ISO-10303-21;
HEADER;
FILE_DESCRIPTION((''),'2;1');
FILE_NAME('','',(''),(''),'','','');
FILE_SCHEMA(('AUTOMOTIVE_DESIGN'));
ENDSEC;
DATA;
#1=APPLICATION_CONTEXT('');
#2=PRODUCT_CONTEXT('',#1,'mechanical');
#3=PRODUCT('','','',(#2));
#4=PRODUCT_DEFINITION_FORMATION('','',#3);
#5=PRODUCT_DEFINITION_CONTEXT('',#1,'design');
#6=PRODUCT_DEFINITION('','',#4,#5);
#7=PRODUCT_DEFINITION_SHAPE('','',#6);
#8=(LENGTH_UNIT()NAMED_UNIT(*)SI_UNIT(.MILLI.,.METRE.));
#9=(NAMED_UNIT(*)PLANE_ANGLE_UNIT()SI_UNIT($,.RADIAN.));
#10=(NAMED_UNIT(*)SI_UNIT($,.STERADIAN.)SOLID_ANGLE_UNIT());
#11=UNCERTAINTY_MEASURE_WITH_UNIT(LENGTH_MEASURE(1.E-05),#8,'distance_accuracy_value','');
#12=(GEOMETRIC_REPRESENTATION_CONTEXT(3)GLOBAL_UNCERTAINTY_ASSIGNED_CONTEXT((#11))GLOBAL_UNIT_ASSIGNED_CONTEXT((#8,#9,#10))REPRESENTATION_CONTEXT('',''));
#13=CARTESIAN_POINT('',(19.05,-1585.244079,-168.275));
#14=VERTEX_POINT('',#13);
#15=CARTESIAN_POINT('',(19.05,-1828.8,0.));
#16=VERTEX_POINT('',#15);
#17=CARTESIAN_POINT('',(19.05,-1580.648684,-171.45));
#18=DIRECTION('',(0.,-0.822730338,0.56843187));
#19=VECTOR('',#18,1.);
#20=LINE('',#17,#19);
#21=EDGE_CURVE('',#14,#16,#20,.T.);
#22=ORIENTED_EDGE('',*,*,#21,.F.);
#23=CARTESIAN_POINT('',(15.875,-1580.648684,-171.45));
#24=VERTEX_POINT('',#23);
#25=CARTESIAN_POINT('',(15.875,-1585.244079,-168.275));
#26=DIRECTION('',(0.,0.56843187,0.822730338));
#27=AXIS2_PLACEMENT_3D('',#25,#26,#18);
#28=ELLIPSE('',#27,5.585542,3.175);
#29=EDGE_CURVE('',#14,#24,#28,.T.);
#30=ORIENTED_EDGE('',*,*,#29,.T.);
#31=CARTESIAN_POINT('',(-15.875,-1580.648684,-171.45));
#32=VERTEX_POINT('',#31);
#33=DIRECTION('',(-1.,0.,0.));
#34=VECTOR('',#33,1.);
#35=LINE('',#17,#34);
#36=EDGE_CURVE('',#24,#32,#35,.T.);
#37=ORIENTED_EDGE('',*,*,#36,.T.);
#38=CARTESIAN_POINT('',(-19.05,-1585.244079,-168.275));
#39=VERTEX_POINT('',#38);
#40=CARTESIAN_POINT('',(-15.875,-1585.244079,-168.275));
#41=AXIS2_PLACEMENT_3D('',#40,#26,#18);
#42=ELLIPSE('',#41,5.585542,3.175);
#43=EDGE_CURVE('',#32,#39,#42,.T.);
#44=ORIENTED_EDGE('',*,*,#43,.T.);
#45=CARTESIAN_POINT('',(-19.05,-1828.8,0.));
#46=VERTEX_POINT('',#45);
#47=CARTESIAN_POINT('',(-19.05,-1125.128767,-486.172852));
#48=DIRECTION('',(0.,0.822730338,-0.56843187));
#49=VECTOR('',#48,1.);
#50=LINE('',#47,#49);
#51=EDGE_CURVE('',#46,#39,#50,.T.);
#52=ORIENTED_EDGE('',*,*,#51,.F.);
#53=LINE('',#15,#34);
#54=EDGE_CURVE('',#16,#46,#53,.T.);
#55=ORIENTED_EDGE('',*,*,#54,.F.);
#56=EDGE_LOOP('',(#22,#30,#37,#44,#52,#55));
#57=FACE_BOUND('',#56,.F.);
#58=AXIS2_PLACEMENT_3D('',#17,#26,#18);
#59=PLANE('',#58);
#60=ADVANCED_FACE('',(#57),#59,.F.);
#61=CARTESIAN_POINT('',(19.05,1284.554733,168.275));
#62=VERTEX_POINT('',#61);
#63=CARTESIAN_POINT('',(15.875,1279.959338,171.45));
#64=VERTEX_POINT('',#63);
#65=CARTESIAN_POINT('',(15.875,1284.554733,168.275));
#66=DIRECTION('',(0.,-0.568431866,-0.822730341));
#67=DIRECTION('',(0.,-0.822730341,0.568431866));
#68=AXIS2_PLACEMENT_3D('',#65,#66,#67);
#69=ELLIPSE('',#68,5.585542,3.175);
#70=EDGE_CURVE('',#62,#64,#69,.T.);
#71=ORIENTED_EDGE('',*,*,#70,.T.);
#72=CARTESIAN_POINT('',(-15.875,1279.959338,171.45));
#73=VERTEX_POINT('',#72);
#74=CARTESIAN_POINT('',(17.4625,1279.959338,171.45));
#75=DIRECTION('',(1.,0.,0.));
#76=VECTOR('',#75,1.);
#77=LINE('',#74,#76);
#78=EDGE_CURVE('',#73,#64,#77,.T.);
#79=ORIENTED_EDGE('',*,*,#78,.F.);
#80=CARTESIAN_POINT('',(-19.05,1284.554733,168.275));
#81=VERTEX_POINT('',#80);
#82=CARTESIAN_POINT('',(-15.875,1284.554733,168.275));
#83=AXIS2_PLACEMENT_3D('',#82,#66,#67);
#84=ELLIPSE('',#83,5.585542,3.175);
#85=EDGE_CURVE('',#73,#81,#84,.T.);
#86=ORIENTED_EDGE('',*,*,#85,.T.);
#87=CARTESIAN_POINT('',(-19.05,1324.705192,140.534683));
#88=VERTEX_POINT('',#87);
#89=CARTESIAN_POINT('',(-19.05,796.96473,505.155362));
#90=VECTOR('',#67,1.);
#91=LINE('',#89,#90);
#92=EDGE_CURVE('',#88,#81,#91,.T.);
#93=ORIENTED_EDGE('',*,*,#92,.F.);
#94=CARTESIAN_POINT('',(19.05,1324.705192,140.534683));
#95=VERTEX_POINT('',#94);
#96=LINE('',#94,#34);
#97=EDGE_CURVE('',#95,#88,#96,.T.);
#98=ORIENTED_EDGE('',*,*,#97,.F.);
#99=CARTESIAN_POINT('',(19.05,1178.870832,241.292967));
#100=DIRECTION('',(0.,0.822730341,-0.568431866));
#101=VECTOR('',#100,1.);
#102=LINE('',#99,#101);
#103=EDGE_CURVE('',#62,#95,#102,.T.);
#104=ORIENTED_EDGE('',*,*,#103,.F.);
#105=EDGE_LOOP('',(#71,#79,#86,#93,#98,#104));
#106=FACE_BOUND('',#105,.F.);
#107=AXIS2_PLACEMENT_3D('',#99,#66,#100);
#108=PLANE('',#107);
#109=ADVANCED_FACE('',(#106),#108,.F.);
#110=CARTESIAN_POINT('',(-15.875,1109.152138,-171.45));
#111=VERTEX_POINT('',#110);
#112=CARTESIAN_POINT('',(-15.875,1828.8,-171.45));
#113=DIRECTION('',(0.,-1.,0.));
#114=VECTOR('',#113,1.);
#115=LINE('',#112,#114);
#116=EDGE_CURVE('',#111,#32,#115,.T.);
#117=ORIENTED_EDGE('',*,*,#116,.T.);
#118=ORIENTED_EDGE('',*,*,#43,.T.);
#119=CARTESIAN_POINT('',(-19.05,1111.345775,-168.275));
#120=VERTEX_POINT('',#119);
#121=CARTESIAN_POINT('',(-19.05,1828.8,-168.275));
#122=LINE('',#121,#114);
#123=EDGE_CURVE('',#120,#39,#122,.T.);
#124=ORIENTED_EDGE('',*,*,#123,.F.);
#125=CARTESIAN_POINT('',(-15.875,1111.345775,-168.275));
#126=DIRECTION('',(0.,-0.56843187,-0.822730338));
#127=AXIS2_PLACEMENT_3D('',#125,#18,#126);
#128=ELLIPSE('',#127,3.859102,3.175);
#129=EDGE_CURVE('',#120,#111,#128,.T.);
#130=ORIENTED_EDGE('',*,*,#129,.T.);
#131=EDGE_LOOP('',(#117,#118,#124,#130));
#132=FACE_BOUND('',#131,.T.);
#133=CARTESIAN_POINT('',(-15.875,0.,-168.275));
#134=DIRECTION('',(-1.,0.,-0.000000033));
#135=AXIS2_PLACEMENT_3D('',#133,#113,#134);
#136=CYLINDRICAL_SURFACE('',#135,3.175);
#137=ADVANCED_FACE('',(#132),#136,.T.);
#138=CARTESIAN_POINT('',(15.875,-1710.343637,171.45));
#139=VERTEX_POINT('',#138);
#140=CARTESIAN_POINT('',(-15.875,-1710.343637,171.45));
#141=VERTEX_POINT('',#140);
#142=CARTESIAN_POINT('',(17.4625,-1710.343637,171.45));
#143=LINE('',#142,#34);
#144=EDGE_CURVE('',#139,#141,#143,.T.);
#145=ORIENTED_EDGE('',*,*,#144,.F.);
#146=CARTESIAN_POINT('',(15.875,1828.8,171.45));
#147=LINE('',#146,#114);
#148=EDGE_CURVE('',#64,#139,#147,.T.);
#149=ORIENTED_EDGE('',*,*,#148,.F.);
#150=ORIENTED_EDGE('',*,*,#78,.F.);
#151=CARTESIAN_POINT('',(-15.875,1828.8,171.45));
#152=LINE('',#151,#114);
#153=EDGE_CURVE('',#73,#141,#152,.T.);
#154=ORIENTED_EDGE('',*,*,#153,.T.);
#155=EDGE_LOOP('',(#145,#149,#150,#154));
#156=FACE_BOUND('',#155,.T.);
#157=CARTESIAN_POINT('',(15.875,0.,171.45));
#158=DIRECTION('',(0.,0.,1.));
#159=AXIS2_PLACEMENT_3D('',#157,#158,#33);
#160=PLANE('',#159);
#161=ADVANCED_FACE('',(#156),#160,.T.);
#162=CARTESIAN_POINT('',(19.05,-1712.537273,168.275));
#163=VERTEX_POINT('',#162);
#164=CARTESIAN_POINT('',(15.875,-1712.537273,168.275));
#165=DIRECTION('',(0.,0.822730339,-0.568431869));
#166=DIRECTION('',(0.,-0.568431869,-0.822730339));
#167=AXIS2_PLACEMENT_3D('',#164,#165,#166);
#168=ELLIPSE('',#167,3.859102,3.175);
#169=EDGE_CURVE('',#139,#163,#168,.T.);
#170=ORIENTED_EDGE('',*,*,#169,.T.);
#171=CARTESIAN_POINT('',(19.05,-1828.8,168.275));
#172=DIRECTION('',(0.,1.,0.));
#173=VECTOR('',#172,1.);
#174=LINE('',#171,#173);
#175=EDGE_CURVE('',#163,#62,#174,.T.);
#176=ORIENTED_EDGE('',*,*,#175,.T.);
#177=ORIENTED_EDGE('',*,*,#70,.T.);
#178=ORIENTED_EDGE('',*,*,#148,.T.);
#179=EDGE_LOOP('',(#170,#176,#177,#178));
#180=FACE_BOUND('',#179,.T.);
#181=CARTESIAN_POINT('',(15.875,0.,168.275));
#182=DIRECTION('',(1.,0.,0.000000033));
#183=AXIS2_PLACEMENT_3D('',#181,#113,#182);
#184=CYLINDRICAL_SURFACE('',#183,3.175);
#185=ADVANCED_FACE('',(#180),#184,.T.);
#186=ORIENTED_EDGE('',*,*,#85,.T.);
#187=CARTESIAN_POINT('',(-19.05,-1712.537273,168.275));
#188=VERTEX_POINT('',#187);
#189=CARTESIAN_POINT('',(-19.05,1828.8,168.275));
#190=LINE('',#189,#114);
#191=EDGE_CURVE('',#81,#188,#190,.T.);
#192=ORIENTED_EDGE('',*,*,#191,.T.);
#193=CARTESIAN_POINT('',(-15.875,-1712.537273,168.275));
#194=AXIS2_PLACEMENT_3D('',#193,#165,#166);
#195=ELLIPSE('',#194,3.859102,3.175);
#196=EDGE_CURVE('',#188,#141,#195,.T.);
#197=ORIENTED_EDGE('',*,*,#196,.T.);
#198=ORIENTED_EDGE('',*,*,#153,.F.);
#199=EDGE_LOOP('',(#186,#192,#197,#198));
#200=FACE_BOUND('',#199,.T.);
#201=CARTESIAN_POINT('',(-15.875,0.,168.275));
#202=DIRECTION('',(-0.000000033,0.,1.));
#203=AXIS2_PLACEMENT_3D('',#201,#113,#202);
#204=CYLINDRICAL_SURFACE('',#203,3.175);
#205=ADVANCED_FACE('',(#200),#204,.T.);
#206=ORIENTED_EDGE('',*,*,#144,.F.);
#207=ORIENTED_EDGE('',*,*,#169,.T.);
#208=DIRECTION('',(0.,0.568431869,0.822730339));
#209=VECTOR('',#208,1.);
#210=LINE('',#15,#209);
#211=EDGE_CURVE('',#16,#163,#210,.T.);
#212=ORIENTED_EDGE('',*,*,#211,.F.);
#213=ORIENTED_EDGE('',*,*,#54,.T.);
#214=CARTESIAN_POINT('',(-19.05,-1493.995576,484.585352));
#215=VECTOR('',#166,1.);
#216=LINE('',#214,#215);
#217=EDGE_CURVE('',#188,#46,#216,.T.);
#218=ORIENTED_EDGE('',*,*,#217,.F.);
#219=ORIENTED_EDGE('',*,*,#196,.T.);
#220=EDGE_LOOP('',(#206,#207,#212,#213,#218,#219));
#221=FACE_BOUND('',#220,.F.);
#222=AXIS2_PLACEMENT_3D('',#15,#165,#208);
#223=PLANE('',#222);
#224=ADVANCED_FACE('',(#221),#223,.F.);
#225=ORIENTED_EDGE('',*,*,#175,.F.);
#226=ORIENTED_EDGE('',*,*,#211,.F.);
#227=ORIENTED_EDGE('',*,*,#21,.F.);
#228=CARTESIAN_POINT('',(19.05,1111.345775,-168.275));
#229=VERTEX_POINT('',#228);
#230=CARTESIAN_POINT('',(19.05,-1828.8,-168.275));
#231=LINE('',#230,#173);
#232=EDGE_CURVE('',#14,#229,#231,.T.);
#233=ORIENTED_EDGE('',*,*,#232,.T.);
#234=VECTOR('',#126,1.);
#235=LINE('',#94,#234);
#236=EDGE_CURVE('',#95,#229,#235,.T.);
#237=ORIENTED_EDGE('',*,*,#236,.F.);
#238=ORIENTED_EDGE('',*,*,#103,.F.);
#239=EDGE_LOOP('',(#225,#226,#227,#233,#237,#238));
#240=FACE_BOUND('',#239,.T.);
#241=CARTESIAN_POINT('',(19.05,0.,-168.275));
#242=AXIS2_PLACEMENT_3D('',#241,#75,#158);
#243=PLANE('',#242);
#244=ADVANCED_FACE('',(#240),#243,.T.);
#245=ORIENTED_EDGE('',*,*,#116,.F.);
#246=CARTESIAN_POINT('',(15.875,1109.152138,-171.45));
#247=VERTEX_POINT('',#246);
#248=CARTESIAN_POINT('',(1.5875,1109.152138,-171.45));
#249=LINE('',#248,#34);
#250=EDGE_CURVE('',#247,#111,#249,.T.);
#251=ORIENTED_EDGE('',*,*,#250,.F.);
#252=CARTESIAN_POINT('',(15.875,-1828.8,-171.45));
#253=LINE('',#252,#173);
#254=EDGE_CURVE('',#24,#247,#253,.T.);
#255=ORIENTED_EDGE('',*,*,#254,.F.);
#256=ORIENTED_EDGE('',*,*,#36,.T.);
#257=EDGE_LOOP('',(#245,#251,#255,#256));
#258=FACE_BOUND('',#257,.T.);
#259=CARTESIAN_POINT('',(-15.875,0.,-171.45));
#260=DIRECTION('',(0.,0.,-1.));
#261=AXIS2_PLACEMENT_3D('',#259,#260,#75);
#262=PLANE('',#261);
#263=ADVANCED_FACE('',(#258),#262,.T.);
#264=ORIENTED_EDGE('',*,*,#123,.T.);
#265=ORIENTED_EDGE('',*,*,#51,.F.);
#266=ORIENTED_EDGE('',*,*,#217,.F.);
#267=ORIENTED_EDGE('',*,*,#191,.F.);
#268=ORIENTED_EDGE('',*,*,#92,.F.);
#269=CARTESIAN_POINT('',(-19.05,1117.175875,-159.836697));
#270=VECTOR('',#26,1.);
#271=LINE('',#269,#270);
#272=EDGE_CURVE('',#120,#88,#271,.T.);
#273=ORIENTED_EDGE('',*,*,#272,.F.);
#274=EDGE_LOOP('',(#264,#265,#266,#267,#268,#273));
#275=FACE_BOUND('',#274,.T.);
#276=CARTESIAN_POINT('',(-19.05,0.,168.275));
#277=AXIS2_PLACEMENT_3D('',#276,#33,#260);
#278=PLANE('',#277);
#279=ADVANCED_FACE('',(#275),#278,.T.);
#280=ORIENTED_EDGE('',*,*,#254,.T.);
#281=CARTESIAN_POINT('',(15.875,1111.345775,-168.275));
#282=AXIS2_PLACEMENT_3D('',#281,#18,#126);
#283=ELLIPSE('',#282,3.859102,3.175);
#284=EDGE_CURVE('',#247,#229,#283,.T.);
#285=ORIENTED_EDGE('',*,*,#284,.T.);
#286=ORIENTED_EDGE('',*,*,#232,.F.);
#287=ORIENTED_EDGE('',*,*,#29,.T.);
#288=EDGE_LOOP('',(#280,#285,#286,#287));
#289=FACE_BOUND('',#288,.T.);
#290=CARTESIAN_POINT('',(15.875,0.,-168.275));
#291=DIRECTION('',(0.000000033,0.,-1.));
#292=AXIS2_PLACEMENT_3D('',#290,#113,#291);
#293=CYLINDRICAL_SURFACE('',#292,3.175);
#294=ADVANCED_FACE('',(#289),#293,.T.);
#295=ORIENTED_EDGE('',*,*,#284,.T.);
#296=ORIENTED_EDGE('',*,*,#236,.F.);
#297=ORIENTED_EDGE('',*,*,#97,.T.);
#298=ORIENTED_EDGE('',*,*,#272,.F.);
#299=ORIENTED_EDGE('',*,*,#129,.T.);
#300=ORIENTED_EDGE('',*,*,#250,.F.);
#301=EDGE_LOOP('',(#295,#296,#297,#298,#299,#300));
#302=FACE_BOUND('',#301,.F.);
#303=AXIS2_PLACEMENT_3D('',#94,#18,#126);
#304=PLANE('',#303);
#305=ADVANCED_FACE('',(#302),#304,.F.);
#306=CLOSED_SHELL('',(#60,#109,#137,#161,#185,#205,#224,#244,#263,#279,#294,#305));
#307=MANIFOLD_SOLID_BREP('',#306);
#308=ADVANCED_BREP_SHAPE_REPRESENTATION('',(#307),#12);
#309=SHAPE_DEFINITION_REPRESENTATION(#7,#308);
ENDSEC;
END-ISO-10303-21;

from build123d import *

# Parameters (mm, degrees)
F1_DEPTH = 1828.8
F3_DEPTH = 38.101
F5_DEPTH = 38.101


with BuildPart() as f1:
    # F0 (on Front) → F1 (new body, symmetric)
    with BuildSketch(Plane.XZ):
        with BuildLine():
            ThreePointArc((19.05, 168.275), (18.120064, 170.520064), (15.875, 171.45))
            Line((15.875, 171.45), (-15.875, 171.45))
            ThreePointArc((-15.875, 171.45), (-18.120064, 170.520064), (-19.05, 168.275))
            Line((-19.05, 168.275), (-19.05, -168.275))
            ThreePointArc((-19.05, -168.275), (-18.120064, -170.520064), (-15.875, -171.45))
            Line((-15.875, -171.45), (15.875, -171.45))
            ThreePointArc((15.875, -171.45), (18.120064, -170.520064), (19.05, -168.275))
            Line((19.05, -168.275), (19.05, 168.275))
        make_face()
    extrude(amount=F1_DEPTH, both=True)

    # F2 (on face) → F3 (cut, through all)
    with BuildSketch(Plane.YZ.offset(19.05)):
        Polygon((-1828.8, 0), (-1465.022533, 526.520019), (-2148.896933, 526.520019), (-2148.896933, -171.45), (-1580.648684, -171.45), align=None)
    extrude(amount=-F3_DEPTH, mode=Mode.SUBTRACT)

    # F4 (on face) → F5 (cut, through all)
    with BuildSketch(Plane.YZ.offset(19.05)):
        Polygon((1888.919197, 241.292967), (1178.870832, 241.292967), (1324.705192, 140.534683), (941.482801, -414.129304), (1888.919197, -414.129304), align=None)
    extrude(amount=-F5_DEPTH, mode=Mode.SUBTRACT)


solid = f1.part
